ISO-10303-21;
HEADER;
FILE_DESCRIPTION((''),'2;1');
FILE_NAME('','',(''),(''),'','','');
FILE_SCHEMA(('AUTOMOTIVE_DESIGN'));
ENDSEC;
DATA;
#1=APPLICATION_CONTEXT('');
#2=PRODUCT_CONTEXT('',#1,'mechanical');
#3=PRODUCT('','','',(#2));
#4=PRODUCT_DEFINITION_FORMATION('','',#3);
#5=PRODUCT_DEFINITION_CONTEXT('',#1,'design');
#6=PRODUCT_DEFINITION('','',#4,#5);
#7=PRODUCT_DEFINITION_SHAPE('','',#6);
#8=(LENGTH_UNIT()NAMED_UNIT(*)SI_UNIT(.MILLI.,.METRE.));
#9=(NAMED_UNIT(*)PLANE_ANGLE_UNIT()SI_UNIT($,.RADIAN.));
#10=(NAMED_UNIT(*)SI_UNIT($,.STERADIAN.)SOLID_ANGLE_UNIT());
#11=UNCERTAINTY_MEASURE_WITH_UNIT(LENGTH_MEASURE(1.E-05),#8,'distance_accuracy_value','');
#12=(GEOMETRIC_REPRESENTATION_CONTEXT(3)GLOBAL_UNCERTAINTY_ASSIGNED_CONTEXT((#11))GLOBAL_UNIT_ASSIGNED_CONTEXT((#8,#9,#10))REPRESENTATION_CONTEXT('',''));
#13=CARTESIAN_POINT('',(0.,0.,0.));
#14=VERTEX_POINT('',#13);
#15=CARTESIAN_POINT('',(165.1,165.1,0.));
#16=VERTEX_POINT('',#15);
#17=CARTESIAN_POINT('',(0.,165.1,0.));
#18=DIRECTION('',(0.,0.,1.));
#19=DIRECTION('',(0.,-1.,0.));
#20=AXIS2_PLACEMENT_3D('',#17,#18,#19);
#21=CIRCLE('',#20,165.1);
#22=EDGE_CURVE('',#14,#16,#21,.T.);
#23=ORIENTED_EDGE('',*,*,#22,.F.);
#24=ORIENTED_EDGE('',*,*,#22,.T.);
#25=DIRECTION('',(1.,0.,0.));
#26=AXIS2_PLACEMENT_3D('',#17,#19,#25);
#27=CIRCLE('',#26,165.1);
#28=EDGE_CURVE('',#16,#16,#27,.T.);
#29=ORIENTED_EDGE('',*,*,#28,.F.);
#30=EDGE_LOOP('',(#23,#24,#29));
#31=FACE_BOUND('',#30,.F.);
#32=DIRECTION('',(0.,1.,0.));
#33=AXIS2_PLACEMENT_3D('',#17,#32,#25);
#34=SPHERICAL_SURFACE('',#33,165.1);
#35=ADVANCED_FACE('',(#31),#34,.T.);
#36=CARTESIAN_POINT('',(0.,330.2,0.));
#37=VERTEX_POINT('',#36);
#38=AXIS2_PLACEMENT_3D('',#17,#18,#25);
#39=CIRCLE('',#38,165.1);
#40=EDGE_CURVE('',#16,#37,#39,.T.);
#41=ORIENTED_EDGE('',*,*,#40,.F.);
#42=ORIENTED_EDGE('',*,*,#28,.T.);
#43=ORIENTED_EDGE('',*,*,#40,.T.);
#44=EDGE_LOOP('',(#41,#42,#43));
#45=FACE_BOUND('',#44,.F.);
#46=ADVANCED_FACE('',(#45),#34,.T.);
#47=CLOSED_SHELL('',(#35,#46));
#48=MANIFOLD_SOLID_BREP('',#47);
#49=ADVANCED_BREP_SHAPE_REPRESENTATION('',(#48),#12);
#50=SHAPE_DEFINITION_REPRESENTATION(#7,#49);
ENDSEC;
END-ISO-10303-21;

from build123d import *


with BuildPart() as part:
    # Sketch1 one side → Revolve1 (revolve)
    with BuildSketch(Plane.XY):
        with BuildLine():
            ThreePointArc((0, 0), (116.743329574, 48.356670426), (165.1, 165.1))
            ThreePointArc((165.1, 165.1), (116.743329574, 281.843329574), (0, 330.2))
            Line((0, 330.2), (0, 0))
        make_face()
    revolve(axis=Axis((0, 330.2, 0), (0, -1, 0)))


solid = part.part
